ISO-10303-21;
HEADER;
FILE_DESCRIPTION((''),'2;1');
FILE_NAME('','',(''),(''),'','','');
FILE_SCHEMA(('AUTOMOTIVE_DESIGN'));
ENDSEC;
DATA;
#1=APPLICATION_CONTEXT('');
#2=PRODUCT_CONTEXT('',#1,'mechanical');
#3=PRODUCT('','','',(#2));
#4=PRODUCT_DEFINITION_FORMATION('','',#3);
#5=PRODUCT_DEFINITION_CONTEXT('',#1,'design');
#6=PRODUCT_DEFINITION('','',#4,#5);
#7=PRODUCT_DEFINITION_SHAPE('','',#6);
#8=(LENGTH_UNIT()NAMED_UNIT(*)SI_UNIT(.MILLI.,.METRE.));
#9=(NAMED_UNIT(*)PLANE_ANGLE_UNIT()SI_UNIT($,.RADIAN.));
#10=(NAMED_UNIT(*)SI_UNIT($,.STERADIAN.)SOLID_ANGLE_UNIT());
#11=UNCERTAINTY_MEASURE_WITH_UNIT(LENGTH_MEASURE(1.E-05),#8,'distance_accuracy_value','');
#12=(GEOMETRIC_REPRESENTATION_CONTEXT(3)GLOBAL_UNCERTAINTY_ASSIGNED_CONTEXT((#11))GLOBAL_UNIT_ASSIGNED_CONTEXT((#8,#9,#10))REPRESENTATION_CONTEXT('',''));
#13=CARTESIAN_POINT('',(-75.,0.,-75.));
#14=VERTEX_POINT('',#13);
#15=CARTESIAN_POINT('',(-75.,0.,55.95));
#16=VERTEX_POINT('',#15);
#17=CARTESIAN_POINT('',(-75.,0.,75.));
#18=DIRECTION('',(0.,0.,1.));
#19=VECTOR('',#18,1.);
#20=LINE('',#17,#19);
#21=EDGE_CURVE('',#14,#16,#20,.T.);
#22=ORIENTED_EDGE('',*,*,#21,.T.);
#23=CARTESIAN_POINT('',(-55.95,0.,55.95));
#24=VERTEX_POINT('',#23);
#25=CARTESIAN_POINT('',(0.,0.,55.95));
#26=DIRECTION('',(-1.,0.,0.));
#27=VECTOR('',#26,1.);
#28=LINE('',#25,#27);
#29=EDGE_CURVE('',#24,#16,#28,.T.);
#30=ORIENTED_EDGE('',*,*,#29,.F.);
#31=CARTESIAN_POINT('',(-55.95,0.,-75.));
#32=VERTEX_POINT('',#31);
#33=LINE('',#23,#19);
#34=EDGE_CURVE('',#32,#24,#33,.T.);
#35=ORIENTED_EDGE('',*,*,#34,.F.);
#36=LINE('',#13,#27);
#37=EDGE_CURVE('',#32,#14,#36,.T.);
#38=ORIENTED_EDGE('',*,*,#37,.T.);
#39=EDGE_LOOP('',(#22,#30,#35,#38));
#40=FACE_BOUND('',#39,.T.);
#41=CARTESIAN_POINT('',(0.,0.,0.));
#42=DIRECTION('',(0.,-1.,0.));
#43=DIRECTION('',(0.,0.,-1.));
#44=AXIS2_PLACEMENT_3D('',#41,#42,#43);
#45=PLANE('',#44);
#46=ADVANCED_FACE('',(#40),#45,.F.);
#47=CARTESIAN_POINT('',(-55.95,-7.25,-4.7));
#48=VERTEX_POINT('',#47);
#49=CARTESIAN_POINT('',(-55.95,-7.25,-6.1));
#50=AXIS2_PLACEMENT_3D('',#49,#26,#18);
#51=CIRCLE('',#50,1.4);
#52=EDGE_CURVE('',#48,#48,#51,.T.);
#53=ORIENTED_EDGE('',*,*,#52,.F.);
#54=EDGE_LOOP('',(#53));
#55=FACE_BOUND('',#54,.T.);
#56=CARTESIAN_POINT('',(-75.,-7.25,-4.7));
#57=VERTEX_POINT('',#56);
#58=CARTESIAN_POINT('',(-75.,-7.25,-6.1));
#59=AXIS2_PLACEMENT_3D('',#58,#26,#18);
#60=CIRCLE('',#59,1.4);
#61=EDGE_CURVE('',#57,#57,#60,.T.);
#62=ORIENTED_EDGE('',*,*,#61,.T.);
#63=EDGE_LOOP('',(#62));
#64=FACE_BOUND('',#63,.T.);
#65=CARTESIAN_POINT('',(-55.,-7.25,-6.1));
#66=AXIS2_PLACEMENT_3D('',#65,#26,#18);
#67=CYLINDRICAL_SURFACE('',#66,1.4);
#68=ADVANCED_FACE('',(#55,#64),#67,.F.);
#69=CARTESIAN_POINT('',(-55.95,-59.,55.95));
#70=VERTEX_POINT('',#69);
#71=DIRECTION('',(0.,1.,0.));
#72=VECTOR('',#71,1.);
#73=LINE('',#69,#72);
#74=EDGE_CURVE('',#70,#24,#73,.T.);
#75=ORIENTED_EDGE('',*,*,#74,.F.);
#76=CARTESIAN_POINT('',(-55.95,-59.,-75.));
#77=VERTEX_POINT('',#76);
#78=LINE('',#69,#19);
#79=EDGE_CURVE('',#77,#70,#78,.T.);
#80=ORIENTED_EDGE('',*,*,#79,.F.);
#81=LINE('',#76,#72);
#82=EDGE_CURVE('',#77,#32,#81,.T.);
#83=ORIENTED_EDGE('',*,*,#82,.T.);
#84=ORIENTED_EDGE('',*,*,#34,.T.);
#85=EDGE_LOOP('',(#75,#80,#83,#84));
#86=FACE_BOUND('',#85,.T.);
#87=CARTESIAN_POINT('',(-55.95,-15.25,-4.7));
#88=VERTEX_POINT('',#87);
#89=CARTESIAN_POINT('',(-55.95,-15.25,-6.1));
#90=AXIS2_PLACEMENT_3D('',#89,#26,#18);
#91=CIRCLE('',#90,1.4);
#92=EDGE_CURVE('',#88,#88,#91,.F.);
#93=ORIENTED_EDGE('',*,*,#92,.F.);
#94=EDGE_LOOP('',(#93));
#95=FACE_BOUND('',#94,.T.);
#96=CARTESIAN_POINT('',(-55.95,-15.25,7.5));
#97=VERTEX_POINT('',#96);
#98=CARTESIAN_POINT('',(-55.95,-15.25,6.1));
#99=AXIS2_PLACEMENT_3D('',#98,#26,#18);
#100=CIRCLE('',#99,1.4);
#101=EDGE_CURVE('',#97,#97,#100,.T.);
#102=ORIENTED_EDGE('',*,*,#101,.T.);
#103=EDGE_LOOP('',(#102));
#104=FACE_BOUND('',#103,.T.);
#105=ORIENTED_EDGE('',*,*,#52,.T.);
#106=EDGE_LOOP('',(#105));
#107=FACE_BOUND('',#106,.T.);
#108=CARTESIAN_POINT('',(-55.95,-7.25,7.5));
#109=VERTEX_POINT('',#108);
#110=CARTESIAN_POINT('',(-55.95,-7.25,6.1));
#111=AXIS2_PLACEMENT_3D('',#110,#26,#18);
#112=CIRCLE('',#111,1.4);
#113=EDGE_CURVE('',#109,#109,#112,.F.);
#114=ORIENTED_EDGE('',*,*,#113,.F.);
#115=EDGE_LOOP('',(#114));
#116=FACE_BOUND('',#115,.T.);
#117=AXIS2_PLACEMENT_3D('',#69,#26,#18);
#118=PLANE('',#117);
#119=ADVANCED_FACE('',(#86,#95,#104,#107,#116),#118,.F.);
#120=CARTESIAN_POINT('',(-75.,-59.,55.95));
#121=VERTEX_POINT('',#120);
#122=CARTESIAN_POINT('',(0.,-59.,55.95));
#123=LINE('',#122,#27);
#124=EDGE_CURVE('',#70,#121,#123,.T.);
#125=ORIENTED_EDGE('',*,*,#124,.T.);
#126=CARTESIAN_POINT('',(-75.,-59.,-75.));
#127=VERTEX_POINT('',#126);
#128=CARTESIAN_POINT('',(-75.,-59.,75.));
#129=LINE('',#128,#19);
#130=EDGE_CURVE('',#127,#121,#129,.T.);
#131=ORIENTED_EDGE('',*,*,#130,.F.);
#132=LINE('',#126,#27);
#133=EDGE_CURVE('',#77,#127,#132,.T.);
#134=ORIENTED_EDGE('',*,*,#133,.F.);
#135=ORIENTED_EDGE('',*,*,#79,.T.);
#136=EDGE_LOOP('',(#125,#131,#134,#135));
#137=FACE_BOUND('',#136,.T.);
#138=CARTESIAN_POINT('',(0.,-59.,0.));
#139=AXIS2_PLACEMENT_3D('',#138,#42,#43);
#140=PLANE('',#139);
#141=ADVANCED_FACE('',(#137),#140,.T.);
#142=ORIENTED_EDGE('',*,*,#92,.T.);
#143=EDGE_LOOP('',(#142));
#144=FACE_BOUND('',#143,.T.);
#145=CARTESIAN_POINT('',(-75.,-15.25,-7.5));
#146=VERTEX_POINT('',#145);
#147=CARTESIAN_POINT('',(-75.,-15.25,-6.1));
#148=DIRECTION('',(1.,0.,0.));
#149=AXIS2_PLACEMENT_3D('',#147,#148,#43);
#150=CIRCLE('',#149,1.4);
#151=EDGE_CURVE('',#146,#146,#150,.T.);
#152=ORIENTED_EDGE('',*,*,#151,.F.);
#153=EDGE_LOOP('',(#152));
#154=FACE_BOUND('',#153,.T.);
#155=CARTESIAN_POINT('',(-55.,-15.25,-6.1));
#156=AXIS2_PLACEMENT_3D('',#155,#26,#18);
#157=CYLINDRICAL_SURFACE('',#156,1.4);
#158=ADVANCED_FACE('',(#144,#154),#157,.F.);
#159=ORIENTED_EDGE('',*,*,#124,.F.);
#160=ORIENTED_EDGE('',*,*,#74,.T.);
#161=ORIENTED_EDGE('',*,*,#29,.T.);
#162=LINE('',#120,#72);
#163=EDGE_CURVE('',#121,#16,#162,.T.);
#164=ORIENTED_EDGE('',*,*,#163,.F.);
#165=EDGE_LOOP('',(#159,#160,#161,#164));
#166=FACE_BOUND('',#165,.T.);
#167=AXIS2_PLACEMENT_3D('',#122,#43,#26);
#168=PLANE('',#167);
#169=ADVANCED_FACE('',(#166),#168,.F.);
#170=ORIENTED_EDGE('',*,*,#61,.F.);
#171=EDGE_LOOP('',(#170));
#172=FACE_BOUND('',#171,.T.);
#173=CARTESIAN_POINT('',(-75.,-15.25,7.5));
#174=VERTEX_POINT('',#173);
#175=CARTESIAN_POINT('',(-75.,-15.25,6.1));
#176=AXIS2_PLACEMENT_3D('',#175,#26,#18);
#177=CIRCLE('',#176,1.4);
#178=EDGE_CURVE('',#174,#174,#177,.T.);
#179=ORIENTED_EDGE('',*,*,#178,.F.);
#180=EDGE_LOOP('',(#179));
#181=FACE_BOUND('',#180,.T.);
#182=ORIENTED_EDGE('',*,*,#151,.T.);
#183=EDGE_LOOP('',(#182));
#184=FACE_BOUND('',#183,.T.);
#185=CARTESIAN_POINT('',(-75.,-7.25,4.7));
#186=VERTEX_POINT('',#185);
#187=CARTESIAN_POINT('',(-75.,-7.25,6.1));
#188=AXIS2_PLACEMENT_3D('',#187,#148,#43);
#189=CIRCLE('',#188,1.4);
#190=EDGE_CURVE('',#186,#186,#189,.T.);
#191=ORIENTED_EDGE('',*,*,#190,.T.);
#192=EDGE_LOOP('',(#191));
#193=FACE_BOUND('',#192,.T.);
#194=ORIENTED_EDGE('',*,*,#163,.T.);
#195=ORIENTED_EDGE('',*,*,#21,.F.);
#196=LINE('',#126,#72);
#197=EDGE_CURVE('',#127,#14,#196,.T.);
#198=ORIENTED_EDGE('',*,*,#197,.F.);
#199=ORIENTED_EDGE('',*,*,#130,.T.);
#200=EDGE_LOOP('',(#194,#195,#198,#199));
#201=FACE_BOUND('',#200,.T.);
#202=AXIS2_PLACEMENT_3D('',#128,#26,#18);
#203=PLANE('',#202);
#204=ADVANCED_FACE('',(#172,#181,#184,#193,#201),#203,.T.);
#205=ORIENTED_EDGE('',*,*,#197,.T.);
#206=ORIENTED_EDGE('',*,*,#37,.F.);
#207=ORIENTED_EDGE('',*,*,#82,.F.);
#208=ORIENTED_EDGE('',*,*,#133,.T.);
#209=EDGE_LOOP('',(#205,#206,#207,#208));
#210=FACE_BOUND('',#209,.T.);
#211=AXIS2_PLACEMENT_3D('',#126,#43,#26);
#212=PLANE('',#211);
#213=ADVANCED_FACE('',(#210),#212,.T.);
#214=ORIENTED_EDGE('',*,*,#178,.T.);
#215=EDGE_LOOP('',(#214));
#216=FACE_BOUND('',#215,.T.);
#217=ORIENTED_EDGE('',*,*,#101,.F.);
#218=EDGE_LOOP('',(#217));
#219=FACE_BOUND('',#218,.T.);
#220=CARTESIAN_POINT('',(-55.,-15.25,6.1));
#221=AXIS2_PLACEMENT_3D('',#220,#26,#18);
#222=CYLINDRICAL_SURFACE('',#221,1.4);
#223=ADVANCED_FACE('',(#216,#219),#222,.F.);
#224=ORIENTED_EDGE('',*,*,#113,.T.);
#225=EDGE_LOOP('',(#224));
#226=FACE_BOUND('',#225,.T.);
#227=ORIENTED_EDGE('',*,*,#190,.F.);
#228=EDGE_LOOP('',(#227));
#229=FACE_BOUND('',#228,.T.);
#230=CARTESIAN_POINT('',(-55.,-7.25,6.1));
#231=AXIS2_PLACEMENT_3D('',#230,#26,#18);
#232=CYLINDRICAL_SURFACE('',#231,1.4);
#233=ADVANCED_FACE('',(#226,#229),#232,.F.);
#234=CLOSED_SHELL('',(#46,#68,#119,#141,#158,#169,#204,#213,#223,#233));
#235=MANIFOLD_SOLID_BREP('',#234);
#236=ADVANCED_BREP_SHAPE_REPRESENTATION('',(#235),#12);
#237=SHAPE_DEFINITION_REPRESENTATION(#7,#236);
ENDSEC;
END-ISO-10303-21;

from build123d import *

# Parameters (mm, degrees)
SKETCH1_W           = 150
SKETCH1_H           = 150
BOSS_EXTRUDE1_DEPTH = 59
SKETCH2_W           = 111.9
SKETCH2_H           = 111.9
CUT_EXTRUDE1_DEPTH  = 122.371331047
SKETCH9_R           = 1.4
CUT_EXTRUDE4_DEPTH  = 20
CIRPATTERN1_COUNT   = 3
CIRPATTERN1_ANGLE   = 180
SKETCH10_W          = 111.9
SKETCH10_H          = 105.448295943
CUT_EXTRUDE6_DEPTH  = 122.371331047
CUT_EXTRUDE7_DEPTH  = 122.371331047


with BuildPart() as part:
    # Sketch1 → Boss-Extrude1 (new body)
    with BuildSketch(Plane(origin=(0, 0, 0), x_dir=(1, 0, 0), z_dir=(0, 1, 0))):
        Rectangle(SKETCH1_W, SKETCH1_H)
    extrude(amount=-BOSS_EXTRUDE1_DEPTH)

    # Sketch2 → Cut-Extrude1 (cut, through all)
    with BuildSketch(Plane(origin=(0, 0, 0), x_dir=(1, 0, 0), z_dir=(0, 1, 0))):
        Rectangle(SKETCH2_W, SKETCH2_H)
    extrude(amount=-CUT_EXTRUDE1_DEPTH, mode=Mode.SUBTRACT)

    # Sketch9 → Cut-Extrude4 (cut)
    with BuildSketch(Plane.ZY.offset(75)):
        with Locations((-6.1, -7.25)):
            Circle(SKETCH9_R)
        with Locations((6.1, -7.25)):
            Circle(SKETCH9_R)
        with Locations((6.1, -15.25)):
            Circle(SKETCH9_R)
        with Locations((-6.1, -15.25)):
            Circle(SKETCH9_R)
    cut_extrude4 = extrude(amount=-CUT_EXTRUDE4_DEPTH, mode=Mode.SUBTRACT)

    # CirPattern1: Cut-Extrude4 ×3 about axis
    cirpattern1_axis = Axis((0, 0, 0), (0, 1, 0))
    for i in range(1, CIRPATTERN1_COUNT):
        add(cut_extrude4.rotate(cirpattern1_axis, i * CIRPATTERN1_ANGLE / (CIRPATTERN1_COUNT - 1)), mode=Mode.SUBTRACT)

    # Sketch10 → Cut-Extrude6 (cut, through all)
    with BuildSketch(Plane(origin=(0, 0, 0), x_dir=(1, 0, 0), z_dir=(0, 1, 0))):
        with Locations((0, 108.674147972)):
            Rectangle(SKETCH10_W, SKETCH10_H)
    extrude(amount=-CUT_EXTRUDE6_DEPTH, mode=Mode.SUBTRACT)

    # Sketch11 → Cut-Extrude7 (cut, through all)
    with BuildSketch(Plane(origin=(0, 0, 0), x_dir=(1, 0, 0), z_dir=(0, 1, 0))):
        Polygon((-55.95, -55.95), (-75, -55.95), (-75, -75), (75, -75), (75, 75), (-55.95, 75), align=None)
    extrude(amount=-CUT_EXTRUDE7_DEPTH, mode=Mode.SUBTRACT)


solid = part.part
